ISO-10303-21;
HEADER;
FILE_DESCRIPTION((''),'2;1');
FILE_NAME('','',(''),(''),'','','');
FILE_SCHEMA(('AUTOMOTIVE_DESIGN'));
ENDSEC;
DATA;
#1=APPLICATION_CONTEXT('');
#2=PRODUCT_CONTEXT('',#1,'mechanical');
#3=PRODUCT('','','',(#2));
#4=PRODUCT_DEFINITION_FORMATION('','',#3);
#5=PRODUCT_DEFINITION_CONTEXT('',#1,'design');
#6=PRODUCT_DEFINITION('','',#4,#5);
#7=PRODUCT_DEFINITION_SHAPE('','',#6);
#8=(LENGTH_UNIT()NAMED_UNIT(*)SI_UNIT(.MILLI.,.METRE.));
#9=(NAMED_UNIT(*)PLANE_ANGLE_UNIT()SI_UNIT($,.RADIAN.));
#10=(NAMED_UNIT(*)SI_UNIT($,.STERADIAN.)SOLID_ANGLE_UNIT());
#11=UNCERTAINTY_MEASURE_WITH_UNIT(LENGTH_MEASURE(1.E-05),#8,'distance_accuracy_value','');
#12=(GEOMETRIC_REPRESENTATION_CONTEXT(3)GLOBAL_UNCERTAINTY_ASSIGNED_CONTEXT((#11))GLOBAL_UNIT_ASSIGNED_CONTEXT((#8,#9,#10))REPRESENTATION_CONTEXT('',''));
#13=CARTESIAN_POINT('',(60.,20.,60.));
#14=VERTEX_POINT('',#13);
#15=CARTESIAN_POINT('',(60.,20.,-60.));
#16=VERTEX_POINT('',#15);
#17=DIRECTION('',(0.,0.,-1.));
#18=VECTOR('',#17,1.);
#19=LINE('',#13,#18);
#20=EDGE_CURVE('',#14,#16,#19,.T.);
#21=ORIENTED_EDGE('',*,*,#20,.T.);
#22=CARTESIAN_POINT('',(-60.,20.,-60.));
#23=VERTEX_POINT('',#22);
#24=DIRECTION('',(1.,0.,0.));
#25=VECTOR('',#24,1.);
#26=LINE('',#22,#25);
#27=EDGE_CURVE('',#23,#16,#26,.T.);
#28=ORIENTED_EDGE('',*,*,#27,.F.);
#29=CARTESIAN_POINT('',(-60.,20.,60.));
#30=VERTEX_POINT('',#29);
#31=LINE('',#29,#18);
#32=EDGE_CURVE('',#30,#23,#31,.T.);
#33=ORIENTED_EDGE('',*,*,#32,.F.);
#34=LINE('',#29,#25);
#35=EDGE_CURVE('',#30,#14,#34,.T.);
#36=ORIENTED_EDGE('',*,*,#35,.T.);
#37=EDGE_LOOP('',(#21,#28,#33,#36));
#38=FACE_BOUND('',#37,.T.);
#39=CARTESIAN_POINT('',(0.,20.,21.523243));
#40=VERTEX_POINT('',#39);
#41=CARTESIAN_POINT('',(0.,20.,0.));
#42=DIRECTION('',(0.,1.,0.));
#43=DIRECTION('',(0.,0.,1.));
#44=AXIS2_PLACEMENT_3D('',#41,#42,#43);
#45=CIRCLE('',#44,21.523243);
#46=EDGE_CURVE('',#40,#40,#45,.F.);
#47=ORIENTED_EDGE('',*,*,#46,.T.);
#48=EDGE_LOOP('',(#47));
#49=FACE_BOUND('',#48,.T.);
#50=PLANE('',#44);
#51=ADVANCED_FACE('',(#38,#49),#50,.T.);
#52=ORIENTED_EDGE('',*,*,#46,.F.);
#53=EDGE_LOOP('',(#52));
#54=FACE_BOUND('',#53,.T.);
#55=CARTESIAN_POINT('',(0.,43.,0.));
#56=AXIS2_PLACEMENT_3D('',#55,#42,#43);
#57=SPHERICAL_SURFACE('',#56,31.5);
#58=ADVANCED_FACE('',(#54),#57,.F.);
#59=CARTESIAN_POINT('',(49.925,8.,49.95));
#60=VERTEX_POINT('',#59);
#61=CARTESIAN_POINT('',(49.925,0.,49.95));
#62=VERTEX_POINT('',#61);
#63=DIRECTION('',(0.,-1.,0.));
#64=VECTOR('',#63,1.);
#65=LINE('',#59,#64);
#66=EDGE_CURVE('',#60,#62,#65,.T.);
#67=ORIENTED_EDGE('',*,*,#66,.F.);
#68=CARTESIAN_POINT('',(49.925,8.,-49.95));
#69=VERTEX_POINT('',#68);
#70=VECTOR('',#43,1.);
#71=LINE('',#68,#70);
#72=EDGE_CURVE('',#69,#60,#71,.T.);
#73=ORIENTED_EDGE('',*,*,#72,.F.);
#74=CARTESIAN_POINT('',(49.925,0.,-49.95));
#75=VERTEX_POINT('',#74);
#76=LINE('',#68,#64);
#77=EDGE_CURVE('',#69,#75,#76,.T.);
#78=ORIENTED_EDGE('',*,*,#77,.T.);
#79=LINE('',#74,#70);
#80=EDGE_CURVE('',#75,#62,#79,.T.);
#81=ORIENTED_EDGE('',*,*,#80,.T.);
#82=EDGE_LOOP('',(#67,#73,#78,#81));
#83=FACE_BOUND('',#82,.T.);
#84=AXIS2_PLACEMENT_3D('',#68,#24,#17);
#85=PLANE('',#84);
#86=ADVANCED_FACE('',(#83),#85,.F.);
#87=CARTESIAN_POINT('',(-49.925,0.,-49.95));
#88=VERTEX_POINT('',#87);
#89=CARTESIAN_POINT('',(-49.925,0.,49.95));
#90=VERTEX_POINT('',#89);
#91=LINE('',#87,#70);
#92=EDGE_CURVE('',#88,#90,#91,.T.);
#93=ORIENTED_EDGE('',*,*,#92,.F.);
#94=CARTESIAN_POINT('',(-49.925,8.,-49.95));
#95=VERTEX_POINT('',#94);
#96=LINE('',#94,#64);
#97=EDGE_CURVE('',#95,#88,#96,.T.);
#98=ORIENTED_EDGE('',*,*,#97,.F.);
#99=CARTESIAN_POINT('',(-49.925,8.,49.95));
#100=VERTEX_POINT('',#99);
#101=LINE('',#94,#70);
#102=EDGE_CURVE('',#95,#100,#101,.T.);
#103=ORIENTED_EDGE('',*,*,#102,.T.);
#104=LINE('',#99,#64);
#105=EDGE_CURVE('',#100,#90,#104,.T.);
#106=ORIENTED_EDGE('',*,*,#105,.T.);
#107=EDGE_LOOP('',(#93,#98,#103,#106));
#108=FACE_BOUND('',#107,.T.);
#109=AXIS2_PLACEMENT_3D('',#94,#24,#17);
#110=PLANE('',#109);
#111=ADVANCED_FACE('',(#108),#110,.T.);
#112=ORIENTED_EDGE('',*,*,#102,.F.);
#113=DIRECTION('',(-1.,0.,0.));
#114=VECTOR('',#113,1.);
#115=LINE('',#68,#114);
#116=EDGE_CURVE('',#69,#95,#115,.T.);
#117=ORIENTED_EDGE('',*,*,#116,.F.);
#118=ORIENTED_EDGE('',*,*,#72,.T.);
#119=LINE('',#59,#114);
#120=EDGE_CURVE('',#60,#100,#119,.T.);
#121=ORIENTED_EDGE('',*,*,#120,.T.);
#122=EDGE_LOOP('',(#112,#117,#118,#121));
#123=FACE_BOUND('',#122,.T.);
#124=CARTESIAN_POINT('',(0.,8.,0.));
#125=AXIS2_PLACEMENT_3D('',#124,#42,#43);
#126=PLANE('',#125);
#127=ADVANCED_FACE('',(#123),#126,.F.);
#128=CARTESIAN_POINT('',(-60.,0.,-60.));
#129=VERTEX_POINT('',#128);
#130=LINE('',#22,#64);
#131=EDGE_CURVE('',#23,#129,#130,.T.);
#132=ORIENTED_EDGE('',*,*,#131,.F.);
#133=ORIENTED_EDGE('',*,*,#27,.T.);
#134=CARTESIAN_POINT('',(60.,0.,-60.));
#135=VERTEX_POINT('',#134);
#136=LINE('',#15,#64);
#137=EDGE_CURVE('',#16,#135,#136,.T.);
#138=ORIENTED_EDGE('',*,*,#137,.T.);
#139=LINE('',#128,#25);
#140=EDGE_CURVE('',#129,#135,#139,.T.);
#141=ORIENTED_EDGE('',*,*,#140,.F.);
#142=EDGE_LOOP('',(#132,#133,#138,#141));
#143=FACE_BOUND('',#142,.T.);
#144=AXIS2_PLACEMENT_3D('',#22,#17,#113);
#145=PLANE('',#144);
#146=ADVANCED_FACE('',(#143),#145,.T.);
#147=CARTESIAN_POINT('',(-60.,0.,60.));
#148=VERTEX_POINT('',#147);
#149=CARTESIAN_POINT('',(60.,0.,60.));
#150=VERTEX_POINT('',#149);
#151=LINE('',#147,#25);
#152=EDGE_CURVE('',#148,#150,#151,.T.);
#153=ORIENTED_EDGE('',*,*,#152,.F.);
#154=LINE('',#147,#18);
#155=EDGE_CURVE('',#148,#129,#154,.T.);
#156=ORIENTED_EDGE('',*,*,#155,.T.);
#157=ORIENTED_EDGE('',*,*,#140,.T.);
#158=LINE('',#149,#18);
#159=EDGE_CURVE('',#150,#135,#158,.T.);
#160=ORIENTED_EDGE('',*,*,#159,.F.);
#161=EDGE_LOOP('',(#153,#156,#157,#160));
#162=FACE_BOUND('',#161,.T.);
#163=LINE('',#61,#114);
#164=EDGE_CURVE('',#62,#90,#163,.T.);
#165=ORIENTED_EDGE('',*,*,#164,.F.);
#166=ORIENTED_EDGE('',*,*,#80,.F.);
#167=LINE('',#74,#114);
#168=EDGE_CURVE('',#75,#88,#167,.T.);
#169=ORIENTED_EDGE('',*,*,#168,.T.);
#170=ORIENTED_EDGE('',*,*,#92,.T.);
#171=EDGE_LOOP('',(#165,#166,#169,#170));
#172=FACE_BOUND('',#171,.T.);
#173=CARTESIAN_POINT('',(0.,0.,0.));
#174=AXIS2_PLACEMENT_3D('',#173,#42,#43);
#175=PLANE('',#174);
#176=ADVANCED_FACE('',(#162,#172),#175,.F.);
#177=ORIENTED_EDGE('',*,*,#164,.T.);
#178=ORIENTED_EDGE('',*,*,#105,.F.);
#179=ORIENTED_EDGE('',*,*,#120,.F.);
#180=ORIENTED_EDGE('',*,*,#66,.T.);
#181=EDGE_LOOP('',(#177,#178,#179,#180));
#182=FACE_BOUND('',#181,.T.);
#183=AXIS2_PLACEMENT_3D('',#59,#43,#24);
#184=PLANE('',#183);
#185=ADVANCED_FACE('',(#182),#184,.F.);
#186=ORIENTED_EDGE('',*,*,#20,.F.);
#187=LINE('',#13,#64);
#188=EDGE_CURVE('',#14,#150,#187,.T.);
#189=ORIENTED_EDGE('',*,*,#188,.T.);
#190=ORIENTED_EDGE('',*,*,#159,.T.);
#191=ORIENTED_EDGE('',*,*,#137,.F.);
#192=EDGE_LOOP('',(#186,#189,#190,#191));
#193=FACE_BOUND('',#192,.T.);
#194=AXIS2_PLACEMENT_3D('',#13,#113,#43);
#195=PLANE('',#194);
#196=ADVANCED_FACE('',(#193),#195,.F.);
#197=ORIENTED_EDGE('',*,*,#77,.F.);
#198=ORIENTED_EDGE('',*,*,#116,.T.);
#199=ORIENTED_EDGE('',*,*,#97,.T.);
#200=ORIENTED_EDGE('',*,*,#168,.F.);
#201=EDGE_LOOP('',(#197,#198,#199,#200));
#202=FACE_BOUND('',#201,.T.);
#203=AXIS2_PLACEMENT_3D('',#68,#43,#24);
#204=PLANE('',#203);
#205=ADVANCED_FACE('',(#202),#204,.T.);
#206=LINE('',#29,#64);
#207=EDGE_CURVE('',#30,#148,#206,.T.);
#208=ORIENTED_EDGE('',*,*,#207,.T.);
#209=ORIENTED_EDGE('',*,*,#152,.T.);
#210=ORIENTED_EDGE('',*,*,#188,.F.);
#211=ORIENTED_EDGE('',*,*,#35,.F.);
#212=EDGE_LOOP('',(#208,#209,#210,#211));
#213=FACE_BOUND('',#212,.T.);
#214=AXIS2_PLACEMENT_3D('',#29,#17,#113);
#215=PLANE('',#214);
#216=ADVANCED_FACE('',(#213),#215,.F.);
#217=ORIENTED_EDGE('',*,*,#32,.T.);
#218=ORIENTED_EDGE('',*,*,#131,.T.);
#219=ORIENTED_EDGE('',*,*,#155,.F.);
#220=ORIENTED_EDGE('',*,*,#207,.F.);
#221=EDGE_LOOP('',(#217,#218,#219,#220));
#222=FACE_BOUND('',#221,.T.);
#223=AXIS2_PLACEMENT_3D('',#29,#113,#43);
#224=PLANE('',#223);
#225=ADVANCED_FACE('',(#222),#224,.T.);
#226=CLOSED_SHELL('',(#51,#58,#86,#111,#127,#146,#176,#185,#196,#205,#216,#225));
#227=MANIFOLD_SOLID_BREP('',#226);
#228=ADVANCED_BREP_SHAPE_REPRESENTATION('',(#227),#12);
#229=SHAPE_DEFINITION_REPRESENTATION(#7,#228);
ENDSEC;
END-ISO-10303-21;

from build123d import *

# Parameters (mm, degrees)
SKETCH_2_W          = 120
SKETCH_2_H          = 120
EXTRUDE_1_DEPTH     = 20
SKETCH_4_W          = 99.85
SKETCH_4_H          = 99.9
CUT_EXTRUDE_1_DEPTH = 8


with BuildPart() as part:
    # 草图2 → 凸台-拉伸1 (new body)
    with BuildSketch(Plane(origin=(0, 0, 0), x_dir=(1, 0, 0), z_dir=(0, 1, 0))):
        Rectangle(SKETCH_2_W, SKETCH_2_H)
    extrude(amount=EXTRUDE_1_DEPTH)

    # 草图3 → 切除-旋转4 (revolve, cut)
    with BuildSketch(Plane.XY):
        with BuildLine():
            Line((-31.5, 43), (0, 43))
            Line((0, 43), (31.5, 43))
            ThreePointArc((31.5, 43), (0, 74.5), (-31.5, 43))
        make_face()
    revolve(axis=Axis((-31.5, 43, 0), (1, 0, 0)), mode=Mode.SUBTRACT)

    # 草图4 → 切除-拉伸1 (cut)
    with BuildSketch(Plane(origin=(0, 0, 0), x_dir=(1, 0, 0), z_dir=(0, 1, 0))):
        Rectangle(SKETCH_4_W, SKETCH_4_H)
    extrude(amount=CUT_EXTRUDE_1_DEPTH, mode=Mode.SUBTRACT)


solid = part.part
